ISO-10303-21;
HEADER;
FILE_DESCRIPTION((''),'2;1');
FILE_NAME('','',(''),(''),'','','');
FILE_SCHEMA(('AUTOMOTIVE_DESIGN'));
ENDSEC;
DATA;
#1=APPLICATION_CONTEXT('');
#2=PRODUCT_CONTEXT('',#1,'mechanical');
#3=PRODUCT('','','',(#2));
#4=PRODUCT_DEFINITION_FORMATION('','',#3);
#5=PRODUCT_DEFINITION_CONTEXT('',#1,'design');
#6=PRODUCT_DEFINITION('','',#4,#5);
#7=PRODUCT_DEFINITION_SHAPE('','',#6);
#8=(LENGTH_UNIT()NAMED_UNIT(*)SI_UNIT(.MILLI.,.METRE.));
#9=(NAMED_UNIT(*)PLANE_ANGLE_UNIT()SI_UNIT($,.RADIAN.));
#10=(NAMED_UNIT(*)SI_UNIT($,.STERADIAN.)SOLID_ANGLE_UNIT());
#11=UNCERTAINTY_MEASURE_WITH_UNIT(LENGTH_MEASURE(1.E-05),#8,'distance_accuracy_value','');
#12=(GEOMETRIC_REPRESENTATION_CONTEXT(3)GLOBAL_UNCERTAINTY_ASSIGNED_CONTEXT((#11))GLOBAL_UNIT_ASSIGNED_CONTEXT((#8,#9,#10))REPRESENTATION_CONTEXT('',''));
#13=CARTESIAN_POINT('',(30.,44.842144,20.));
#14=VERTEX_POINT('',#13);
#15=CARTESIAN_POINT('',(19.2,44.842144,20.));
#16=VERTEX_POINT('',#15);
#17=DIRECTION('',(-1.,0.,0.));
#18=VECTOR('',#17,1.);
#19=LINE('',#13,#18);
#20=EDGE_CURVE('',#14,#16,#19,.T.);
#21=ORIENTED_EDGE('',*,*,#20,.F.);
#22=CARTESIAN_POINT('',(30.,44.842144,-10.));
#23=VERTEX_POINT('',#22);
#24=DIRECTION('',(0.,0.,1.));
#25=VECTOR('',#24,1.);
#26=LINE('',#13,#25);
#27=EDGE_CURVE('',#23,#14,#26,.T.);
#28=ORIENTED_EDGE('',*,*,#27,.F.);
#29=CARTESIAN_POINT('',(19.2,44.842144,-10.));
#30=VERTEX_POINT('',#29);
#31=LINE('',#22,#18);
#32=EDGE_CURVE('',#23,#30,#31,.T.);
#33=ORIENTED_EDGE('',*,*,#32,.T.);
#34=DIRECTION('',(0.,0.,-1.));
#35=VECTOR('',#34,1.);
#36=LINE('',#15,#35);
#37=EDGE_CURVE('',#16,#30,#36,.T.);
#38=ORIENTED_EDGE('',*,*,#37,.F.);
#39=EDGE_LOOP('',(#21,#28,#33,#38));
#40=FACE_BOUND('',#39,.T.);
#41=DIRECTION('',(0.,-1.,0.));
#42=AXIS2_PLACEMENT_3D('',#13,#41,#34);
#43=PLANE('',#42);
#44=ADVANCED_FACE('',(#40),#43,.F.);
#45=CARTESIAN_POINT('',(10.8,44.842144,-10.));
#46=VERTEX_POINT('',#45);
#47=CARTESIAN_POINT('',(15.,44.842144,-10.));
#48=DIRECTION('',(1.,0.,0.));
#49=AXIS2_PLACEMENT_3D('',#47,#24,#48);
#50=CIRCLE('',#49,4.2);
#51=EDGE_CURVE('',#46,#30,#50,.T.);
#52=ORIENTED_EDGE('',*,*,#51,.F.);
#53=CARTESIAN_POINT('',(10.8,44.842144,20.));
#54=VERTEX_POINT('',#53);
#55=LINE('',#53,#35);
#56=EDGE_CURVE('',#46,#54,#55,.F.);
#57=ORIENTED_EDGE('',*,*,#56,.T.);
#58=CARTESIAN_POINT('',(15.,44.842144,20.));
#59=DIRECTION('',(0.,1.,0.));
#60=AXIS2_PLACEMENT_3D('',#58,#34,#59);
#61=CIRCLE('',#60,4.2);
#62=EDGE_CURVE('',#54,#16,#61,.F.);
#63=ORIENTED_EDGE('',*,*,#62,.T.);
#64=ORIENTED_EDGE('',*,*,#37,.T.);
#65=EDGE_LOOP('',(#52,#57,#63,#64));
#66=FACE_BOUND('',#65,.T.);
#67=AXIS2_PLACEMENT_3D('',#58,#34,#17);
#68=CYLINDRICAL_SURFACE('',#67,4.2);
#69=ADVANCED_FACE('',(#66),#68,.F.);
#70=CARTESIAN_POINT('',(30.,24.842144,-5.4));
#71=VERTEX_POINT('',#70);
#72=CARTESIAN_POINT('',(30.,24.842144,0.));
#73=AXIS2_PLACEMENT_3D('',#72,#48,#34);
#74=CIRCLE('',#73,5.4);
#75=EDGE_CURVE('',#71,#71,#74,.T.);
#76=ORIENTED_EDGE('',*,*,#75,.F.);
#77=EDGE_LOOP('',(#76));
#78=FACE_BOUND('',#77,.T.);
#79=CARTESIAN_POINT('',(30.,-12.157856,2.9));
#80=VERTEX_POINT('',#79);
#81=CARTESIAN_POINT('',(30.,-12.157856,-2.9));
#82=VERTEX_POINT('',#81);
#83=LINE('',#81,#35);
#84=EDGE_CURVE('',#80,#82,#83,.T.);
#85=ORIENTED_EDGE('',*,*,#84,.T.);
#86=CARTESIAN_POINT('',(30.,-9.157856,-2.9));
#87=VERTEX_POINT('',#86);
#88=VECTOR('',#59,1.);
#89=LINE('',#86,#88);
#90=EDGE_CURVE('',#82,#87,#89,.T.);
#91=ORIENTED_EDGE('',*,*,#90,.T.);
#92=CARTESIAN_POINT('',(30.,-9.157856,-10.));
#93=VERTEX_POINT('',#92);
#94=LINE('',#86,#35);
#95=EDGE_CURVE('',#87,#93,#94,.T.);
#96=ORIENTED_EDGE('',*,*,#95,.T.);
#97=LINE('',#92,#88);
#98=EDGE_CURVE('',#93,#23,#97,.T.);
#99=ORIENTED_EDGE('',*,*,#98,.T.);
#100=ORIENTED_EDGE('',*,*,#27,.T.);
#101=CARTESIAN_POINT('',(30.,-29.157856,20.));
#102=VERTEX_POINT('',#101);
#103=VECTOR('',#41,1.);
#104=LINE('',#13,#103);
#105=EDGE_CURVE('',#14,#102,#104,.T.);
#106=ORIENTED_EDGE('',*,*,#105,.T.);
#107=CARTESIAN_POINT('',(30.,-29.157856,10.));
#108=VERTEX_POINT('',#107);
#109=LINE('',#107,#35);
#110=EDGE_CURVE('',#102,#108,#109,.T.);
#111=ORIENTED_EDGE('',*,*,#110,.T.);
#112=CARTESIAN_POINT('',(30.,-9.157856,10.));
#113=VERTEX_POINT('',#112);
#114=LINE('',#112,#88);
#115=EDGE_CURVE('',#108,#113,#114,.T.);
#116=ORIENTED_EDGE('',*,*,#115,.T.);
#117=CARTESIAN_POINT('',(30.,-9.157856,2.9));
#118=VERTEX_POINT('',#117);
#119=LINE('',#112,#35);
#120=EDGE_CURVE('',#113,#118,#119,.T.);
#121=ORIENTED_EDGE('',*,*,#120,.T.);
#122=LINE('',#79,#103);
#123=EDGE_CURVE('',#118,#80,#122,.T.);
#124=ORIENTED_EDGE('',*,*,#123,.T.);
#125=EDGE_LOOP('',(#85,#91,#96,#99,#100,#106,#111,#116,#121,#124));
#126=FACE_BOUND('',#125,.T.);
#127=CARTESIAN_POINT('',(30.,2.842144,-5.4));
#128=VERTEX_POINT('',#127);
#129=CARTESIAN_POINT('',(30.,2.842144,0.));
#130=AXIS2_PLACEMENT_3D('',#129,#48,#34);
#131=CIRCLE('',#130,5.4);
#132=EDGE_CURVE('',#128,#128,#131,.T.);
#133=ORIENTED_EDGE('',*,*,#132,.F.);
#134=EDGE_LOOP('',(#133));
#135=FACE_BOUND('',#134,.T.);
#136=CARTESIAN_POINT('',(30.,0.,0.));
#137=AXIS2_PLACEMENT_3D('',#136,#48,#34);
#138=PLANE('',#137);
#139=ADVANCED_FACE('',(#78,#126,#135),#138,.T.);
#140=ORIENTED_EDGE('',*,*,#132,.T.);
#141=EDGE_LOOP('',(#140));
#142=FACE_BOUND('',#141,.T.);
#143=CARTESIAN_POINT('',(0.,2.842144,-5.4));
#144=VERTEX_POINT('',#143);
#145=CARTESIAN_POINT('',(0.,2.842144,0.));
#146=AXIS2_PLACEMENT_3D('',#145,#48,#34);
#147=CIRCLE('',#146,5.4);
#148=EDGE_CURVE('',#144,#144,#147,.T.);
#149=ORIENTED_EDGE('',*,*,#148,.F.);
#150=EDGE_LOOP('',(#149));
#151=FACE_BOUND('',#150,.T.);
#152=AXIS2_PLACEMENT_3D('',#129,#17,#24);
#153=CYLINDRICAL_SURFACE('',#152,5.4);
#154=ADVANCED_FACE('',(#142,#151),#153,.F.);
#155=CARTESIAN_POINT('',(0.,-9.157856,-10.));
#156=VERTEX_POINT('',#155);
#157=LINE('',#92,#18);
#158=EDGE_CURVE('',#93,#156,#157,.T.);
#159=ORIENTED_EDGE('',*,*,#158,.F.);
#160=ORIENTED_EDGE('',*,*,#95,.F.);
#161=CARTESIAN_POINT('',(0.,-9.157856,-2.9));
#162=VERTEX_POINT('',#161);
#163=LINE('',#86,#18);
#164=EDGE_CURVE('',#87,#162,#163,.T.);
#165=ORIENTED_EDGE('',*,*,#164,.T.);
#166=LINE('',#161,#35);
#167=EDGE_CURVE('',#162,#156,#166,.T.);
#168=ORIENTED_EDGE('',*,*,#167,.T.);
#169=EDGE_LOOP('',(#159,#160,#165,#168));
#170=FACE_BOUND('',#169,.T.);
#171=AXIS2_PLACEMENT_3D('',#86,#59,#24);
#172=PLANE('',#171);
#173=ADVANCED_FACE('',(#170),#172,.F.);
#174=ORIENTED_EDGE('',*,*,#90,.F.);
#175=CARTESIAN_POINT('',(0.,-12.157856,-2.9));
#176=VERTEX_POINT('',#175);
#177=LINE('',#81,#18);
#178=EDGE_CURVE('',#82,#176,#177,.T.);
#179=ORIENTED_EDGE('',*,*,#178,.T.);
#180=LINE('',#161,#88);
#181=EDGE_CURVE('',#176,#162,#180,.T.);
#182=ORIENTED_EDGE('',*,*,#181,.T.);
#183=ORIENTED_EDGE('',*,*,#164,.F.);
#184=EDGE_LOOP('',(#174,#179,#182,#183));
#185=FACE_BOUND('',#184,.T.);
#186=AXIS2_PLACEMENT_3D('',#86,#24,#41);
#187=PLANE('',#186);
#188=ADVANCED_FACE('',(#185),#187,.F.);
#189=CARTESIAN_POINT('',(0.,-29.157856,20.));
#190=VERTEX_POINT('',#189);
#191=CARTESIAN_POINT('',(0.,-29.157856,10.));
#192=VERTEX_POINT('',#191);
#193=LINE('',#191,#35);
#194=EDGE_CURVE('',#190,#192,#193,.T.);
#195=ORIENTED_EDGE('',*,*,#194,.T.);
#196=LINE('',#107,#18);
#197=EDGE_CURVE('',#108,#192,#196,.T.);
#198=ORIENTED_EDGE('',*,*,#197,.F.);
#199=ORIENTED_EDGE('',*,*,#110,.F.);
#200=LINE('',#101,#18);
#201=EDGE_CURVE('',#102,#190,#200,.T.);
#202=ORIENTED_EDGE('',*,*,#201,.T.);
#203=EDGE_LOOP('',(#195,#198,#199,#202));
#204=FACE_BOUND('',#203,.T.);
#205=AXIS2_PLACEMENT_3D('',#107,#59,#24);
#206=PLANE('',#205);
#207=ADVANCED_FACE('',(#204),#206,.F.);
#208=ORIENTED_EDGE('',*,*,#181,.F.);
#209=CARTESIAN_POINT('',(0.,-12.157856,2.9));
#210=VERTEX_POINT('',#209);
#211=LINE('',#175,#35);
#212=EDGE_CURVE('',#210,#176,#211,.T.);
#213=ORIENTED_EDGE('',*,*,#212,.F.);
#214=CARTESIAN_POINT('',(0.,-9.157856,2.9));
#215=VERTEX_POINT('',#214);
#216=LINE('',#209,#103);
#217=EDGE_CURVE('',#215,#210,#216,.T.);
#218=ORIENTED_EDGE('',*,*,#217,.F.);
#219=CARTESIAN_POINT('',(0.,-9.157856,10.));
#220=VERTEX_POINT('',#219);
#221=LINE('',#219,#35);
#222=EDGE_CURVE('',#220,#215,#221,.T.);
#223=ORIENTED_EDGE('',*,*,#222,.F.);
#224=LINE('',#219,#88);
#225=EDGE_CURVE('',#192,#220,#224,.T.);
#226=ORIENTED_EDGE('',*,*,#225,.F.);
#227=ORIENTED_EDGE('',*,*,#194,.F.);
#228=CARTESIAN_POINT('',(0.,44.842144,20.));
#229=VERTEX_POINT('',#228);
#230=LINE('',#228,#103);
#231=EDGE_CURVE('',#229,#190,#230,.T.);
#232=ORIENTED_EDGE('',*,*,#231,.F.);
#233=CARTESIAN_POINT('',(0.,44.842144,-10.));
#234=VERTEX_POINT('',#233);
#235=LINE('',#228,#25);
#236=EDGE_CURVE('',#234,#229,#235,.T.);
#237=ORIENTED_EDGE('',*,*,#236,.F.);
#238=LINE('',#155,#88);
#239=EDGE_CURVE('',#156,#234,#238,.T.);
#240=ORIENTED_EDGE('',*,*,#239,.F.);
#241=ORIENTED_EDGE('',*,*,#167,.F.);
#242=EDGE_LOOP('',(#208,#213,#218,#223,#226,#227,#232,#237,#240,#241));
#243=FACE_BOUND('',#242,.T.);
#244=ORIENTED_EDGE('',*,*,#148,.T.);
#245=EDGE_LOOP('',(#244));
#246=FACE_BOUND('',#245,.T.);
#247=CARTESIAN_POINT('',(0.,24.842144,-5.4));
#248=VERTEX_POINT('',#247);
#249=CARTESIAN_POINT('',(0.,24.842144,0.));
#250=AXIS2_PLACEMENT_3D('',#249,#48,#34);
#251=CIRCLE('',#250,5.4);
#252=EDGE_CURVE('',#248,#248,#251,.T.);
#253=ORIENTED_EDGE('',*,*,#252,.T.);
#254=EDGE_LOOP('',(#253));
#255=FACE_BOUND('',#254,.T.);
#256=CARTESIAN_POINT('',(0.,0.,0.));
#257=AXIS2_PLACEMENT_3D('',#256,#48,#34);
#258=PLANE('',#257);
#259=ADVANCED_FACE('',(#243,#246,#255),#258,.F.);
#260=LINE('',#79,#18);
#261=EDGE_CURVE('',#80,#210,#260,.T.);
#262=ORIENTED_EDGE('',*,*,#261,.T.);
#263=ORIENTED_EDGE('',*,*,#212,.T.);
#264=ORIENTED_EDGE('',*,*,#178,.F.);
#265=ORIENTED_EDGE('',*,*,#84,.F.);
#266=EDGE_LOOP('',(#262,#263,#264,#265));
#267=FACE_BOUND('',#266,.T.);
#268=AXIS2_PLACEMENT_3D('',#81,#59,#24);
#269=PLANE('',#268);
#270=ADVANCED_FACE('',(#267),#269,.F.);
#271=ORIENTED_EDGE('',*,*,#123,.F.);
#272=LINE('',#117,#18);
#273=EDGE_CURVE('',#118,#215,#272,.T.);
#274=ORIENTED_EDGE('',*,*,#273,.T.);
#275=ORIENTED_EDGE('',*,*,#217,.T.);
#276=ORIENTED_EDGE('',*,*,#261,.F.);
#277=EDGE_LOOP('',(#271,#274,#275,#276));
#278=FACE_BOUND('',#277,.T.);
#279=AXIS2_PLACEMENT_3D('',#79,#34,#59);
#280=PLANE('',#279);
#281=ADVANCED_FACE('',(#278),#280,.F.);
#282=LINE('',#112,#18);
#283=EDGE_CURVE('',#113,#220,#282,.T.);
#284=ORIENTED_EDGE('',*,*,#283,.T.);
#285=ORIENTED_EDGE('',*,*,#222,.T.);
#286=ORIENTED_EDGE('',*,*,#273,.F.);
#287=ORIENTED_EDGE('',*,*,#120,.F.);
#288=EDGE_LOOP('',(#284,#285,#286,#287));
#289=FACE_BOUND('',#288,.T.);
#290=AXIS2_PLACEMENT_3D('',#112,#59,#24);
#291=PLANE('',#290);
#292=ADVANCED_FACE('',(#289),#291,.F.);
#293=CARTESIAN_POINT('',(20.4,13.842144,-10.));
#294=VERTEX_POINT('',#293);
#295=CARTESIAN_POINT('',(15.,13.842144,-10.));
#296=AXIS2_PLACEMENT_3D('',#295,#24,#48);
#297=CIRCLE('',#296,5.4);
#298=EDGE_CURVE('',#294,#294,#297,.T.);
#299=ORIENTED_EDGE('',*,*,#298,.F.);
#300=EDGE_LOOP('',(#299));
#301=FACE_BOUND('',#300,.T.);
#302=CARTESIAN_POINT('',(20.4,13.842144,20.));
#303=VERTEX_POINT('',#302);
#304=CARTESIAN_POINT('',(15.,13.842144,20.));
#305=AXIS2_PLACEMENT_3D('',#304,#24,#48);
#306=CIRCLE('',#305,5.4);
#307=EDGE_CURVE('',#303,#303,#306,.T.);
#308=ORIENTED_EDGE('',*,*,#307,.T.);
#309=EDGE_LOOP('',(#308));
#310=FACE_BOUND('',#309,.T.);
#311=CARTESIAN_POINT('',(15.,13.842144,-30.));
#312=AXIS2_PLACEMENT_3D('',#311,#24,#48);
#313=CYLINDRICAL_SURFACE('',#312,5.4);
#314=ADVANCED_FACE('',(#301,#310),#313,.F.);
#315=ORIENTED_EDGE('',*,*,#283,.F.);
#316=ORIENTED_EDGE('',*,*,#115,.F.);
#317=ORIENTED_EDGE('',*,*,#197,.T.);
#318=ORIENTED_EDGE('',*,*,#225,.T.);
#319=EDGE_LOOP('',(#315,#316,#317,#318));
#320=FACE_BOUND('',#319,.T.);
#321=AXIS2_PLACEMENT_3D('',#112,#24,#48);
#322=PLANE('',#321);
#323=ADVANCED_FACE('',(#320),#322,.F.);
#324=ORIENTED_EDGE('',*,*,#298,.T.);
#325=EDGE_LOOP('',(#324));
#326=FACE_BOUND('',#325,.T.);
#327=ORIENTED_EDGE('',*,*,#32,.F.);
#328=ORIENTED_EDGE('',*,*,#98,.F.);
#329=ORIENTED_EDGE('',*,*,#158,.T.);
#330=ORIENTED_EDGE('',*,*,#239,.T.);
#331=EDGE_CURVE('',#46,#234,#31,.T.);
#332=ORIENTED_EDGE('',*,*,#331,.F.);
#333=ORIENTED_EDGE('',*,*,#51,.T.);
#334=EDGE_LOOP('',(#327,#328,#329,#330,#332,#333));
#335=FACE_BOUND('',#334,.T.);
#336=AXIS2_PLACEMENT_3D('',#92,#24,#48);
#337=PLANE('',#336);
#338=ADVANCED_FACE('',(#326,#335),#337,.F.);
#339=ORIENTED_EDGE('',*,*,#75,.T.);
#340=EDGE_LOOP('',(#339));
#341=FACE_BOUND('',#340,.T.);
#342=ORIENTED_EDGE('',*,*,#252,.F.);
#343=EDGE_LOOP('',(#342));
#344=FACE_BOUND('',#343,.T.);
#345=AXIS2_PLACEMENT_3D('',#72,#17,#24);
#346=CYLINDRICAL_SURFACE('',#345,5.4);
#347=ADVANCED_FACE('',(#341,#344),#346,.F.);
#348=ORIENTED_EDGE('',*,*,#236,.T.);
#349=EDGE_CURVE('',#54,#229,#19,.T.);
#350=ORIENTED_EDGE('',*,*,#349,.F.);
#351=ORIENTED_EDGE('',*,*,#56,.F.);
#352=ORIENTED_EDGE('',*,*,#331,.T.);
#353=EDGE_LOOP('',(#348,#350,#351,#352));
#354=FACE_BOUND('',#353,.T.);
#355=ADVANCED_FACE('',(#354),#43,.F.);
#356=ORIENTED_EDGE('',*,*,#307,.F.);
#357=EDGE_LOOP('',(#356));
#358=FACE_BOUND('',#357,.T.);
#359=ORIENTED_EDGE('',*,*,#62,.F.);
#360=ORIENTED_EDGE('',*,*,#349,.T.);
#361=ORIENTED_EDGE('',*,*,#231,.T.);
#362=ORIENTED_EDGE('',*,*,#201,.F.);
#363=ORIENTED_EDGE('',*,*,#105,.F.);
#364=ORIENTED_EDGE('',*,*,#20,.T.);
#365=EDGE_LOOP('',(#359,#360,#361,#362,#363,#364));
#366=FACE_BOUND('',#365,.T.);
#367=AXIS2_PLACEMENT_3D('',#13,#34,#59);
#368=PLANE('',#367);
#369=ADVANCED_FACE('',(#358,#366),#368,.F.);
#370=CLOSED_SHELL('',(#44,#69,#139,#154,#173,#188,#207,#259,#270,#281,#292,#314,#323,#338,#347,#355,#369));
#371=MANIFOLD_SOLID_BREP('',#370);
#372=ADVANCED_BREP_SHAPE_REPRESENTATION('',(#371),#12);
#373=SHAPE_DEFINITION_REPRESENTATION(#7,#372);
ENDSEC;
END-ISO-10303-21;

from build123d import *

# Parameters (mm, degrees)
SKETCH24_R          = 5.4
BOSS_EXTRUDE1_DEPTH = 30
SKETCH26_R          = 4.2
RODS_SLOT_DEPTH     = 62.731822261
SKETCH25_R          = 5.4
RODS_HOLE_DEPTH     = 50


with BuildPart() as part:
    # Sketch24 → Boss-Extrude1 (new body)
    with BuildSketch(Plane(origin=(0, 0, 0), x_dir=(0, 0, -1), z_dir=(1, 0, 0))):
        Polygon((10, -9.157855987), (10, 44.842144013), (-20, 44.842144013), (-20, -29.157855987), (-10, -29.157855987), (-10, -9.157855987), (-2.9, -9.157855987), (-2.9, -12.157855987), (2.9, -12.157855987), (2.9, -9.157855987), align=None)
        with Locations((0, 24.842144013)):
            Circle(SKETCH24_R, mode=Mode.SUBTRACT)
        with Locations((0, 2.842144013)):
            Circle(SKETCH24_R, mode=Mode.SUBTRACT)
    extrude(amount=BOSS_EXTRUDE1_DEPTH)

    # Sketch26 → rods_slot (cut, through all)
    with BuildSketch(Plane.XY.offset(-10)):
        with Locations((15, 44.842144013)):
            Circle(SKETCH26_R)
    extrude(amount=RODS_SLOT_DEPTH, mode=Mode.SUBTRACT)

    # Sketch25 → rods-hole (cut)
    with BuildSketch(Plane.XY.offset(20)):
        with Locations((15, 13.842144013)):
            Circle(SKETCH25_R)
    extrude(amount=-RODS_HOLE_DEPTH, mode=Mode.SUBTRACT)


solid = part.part
